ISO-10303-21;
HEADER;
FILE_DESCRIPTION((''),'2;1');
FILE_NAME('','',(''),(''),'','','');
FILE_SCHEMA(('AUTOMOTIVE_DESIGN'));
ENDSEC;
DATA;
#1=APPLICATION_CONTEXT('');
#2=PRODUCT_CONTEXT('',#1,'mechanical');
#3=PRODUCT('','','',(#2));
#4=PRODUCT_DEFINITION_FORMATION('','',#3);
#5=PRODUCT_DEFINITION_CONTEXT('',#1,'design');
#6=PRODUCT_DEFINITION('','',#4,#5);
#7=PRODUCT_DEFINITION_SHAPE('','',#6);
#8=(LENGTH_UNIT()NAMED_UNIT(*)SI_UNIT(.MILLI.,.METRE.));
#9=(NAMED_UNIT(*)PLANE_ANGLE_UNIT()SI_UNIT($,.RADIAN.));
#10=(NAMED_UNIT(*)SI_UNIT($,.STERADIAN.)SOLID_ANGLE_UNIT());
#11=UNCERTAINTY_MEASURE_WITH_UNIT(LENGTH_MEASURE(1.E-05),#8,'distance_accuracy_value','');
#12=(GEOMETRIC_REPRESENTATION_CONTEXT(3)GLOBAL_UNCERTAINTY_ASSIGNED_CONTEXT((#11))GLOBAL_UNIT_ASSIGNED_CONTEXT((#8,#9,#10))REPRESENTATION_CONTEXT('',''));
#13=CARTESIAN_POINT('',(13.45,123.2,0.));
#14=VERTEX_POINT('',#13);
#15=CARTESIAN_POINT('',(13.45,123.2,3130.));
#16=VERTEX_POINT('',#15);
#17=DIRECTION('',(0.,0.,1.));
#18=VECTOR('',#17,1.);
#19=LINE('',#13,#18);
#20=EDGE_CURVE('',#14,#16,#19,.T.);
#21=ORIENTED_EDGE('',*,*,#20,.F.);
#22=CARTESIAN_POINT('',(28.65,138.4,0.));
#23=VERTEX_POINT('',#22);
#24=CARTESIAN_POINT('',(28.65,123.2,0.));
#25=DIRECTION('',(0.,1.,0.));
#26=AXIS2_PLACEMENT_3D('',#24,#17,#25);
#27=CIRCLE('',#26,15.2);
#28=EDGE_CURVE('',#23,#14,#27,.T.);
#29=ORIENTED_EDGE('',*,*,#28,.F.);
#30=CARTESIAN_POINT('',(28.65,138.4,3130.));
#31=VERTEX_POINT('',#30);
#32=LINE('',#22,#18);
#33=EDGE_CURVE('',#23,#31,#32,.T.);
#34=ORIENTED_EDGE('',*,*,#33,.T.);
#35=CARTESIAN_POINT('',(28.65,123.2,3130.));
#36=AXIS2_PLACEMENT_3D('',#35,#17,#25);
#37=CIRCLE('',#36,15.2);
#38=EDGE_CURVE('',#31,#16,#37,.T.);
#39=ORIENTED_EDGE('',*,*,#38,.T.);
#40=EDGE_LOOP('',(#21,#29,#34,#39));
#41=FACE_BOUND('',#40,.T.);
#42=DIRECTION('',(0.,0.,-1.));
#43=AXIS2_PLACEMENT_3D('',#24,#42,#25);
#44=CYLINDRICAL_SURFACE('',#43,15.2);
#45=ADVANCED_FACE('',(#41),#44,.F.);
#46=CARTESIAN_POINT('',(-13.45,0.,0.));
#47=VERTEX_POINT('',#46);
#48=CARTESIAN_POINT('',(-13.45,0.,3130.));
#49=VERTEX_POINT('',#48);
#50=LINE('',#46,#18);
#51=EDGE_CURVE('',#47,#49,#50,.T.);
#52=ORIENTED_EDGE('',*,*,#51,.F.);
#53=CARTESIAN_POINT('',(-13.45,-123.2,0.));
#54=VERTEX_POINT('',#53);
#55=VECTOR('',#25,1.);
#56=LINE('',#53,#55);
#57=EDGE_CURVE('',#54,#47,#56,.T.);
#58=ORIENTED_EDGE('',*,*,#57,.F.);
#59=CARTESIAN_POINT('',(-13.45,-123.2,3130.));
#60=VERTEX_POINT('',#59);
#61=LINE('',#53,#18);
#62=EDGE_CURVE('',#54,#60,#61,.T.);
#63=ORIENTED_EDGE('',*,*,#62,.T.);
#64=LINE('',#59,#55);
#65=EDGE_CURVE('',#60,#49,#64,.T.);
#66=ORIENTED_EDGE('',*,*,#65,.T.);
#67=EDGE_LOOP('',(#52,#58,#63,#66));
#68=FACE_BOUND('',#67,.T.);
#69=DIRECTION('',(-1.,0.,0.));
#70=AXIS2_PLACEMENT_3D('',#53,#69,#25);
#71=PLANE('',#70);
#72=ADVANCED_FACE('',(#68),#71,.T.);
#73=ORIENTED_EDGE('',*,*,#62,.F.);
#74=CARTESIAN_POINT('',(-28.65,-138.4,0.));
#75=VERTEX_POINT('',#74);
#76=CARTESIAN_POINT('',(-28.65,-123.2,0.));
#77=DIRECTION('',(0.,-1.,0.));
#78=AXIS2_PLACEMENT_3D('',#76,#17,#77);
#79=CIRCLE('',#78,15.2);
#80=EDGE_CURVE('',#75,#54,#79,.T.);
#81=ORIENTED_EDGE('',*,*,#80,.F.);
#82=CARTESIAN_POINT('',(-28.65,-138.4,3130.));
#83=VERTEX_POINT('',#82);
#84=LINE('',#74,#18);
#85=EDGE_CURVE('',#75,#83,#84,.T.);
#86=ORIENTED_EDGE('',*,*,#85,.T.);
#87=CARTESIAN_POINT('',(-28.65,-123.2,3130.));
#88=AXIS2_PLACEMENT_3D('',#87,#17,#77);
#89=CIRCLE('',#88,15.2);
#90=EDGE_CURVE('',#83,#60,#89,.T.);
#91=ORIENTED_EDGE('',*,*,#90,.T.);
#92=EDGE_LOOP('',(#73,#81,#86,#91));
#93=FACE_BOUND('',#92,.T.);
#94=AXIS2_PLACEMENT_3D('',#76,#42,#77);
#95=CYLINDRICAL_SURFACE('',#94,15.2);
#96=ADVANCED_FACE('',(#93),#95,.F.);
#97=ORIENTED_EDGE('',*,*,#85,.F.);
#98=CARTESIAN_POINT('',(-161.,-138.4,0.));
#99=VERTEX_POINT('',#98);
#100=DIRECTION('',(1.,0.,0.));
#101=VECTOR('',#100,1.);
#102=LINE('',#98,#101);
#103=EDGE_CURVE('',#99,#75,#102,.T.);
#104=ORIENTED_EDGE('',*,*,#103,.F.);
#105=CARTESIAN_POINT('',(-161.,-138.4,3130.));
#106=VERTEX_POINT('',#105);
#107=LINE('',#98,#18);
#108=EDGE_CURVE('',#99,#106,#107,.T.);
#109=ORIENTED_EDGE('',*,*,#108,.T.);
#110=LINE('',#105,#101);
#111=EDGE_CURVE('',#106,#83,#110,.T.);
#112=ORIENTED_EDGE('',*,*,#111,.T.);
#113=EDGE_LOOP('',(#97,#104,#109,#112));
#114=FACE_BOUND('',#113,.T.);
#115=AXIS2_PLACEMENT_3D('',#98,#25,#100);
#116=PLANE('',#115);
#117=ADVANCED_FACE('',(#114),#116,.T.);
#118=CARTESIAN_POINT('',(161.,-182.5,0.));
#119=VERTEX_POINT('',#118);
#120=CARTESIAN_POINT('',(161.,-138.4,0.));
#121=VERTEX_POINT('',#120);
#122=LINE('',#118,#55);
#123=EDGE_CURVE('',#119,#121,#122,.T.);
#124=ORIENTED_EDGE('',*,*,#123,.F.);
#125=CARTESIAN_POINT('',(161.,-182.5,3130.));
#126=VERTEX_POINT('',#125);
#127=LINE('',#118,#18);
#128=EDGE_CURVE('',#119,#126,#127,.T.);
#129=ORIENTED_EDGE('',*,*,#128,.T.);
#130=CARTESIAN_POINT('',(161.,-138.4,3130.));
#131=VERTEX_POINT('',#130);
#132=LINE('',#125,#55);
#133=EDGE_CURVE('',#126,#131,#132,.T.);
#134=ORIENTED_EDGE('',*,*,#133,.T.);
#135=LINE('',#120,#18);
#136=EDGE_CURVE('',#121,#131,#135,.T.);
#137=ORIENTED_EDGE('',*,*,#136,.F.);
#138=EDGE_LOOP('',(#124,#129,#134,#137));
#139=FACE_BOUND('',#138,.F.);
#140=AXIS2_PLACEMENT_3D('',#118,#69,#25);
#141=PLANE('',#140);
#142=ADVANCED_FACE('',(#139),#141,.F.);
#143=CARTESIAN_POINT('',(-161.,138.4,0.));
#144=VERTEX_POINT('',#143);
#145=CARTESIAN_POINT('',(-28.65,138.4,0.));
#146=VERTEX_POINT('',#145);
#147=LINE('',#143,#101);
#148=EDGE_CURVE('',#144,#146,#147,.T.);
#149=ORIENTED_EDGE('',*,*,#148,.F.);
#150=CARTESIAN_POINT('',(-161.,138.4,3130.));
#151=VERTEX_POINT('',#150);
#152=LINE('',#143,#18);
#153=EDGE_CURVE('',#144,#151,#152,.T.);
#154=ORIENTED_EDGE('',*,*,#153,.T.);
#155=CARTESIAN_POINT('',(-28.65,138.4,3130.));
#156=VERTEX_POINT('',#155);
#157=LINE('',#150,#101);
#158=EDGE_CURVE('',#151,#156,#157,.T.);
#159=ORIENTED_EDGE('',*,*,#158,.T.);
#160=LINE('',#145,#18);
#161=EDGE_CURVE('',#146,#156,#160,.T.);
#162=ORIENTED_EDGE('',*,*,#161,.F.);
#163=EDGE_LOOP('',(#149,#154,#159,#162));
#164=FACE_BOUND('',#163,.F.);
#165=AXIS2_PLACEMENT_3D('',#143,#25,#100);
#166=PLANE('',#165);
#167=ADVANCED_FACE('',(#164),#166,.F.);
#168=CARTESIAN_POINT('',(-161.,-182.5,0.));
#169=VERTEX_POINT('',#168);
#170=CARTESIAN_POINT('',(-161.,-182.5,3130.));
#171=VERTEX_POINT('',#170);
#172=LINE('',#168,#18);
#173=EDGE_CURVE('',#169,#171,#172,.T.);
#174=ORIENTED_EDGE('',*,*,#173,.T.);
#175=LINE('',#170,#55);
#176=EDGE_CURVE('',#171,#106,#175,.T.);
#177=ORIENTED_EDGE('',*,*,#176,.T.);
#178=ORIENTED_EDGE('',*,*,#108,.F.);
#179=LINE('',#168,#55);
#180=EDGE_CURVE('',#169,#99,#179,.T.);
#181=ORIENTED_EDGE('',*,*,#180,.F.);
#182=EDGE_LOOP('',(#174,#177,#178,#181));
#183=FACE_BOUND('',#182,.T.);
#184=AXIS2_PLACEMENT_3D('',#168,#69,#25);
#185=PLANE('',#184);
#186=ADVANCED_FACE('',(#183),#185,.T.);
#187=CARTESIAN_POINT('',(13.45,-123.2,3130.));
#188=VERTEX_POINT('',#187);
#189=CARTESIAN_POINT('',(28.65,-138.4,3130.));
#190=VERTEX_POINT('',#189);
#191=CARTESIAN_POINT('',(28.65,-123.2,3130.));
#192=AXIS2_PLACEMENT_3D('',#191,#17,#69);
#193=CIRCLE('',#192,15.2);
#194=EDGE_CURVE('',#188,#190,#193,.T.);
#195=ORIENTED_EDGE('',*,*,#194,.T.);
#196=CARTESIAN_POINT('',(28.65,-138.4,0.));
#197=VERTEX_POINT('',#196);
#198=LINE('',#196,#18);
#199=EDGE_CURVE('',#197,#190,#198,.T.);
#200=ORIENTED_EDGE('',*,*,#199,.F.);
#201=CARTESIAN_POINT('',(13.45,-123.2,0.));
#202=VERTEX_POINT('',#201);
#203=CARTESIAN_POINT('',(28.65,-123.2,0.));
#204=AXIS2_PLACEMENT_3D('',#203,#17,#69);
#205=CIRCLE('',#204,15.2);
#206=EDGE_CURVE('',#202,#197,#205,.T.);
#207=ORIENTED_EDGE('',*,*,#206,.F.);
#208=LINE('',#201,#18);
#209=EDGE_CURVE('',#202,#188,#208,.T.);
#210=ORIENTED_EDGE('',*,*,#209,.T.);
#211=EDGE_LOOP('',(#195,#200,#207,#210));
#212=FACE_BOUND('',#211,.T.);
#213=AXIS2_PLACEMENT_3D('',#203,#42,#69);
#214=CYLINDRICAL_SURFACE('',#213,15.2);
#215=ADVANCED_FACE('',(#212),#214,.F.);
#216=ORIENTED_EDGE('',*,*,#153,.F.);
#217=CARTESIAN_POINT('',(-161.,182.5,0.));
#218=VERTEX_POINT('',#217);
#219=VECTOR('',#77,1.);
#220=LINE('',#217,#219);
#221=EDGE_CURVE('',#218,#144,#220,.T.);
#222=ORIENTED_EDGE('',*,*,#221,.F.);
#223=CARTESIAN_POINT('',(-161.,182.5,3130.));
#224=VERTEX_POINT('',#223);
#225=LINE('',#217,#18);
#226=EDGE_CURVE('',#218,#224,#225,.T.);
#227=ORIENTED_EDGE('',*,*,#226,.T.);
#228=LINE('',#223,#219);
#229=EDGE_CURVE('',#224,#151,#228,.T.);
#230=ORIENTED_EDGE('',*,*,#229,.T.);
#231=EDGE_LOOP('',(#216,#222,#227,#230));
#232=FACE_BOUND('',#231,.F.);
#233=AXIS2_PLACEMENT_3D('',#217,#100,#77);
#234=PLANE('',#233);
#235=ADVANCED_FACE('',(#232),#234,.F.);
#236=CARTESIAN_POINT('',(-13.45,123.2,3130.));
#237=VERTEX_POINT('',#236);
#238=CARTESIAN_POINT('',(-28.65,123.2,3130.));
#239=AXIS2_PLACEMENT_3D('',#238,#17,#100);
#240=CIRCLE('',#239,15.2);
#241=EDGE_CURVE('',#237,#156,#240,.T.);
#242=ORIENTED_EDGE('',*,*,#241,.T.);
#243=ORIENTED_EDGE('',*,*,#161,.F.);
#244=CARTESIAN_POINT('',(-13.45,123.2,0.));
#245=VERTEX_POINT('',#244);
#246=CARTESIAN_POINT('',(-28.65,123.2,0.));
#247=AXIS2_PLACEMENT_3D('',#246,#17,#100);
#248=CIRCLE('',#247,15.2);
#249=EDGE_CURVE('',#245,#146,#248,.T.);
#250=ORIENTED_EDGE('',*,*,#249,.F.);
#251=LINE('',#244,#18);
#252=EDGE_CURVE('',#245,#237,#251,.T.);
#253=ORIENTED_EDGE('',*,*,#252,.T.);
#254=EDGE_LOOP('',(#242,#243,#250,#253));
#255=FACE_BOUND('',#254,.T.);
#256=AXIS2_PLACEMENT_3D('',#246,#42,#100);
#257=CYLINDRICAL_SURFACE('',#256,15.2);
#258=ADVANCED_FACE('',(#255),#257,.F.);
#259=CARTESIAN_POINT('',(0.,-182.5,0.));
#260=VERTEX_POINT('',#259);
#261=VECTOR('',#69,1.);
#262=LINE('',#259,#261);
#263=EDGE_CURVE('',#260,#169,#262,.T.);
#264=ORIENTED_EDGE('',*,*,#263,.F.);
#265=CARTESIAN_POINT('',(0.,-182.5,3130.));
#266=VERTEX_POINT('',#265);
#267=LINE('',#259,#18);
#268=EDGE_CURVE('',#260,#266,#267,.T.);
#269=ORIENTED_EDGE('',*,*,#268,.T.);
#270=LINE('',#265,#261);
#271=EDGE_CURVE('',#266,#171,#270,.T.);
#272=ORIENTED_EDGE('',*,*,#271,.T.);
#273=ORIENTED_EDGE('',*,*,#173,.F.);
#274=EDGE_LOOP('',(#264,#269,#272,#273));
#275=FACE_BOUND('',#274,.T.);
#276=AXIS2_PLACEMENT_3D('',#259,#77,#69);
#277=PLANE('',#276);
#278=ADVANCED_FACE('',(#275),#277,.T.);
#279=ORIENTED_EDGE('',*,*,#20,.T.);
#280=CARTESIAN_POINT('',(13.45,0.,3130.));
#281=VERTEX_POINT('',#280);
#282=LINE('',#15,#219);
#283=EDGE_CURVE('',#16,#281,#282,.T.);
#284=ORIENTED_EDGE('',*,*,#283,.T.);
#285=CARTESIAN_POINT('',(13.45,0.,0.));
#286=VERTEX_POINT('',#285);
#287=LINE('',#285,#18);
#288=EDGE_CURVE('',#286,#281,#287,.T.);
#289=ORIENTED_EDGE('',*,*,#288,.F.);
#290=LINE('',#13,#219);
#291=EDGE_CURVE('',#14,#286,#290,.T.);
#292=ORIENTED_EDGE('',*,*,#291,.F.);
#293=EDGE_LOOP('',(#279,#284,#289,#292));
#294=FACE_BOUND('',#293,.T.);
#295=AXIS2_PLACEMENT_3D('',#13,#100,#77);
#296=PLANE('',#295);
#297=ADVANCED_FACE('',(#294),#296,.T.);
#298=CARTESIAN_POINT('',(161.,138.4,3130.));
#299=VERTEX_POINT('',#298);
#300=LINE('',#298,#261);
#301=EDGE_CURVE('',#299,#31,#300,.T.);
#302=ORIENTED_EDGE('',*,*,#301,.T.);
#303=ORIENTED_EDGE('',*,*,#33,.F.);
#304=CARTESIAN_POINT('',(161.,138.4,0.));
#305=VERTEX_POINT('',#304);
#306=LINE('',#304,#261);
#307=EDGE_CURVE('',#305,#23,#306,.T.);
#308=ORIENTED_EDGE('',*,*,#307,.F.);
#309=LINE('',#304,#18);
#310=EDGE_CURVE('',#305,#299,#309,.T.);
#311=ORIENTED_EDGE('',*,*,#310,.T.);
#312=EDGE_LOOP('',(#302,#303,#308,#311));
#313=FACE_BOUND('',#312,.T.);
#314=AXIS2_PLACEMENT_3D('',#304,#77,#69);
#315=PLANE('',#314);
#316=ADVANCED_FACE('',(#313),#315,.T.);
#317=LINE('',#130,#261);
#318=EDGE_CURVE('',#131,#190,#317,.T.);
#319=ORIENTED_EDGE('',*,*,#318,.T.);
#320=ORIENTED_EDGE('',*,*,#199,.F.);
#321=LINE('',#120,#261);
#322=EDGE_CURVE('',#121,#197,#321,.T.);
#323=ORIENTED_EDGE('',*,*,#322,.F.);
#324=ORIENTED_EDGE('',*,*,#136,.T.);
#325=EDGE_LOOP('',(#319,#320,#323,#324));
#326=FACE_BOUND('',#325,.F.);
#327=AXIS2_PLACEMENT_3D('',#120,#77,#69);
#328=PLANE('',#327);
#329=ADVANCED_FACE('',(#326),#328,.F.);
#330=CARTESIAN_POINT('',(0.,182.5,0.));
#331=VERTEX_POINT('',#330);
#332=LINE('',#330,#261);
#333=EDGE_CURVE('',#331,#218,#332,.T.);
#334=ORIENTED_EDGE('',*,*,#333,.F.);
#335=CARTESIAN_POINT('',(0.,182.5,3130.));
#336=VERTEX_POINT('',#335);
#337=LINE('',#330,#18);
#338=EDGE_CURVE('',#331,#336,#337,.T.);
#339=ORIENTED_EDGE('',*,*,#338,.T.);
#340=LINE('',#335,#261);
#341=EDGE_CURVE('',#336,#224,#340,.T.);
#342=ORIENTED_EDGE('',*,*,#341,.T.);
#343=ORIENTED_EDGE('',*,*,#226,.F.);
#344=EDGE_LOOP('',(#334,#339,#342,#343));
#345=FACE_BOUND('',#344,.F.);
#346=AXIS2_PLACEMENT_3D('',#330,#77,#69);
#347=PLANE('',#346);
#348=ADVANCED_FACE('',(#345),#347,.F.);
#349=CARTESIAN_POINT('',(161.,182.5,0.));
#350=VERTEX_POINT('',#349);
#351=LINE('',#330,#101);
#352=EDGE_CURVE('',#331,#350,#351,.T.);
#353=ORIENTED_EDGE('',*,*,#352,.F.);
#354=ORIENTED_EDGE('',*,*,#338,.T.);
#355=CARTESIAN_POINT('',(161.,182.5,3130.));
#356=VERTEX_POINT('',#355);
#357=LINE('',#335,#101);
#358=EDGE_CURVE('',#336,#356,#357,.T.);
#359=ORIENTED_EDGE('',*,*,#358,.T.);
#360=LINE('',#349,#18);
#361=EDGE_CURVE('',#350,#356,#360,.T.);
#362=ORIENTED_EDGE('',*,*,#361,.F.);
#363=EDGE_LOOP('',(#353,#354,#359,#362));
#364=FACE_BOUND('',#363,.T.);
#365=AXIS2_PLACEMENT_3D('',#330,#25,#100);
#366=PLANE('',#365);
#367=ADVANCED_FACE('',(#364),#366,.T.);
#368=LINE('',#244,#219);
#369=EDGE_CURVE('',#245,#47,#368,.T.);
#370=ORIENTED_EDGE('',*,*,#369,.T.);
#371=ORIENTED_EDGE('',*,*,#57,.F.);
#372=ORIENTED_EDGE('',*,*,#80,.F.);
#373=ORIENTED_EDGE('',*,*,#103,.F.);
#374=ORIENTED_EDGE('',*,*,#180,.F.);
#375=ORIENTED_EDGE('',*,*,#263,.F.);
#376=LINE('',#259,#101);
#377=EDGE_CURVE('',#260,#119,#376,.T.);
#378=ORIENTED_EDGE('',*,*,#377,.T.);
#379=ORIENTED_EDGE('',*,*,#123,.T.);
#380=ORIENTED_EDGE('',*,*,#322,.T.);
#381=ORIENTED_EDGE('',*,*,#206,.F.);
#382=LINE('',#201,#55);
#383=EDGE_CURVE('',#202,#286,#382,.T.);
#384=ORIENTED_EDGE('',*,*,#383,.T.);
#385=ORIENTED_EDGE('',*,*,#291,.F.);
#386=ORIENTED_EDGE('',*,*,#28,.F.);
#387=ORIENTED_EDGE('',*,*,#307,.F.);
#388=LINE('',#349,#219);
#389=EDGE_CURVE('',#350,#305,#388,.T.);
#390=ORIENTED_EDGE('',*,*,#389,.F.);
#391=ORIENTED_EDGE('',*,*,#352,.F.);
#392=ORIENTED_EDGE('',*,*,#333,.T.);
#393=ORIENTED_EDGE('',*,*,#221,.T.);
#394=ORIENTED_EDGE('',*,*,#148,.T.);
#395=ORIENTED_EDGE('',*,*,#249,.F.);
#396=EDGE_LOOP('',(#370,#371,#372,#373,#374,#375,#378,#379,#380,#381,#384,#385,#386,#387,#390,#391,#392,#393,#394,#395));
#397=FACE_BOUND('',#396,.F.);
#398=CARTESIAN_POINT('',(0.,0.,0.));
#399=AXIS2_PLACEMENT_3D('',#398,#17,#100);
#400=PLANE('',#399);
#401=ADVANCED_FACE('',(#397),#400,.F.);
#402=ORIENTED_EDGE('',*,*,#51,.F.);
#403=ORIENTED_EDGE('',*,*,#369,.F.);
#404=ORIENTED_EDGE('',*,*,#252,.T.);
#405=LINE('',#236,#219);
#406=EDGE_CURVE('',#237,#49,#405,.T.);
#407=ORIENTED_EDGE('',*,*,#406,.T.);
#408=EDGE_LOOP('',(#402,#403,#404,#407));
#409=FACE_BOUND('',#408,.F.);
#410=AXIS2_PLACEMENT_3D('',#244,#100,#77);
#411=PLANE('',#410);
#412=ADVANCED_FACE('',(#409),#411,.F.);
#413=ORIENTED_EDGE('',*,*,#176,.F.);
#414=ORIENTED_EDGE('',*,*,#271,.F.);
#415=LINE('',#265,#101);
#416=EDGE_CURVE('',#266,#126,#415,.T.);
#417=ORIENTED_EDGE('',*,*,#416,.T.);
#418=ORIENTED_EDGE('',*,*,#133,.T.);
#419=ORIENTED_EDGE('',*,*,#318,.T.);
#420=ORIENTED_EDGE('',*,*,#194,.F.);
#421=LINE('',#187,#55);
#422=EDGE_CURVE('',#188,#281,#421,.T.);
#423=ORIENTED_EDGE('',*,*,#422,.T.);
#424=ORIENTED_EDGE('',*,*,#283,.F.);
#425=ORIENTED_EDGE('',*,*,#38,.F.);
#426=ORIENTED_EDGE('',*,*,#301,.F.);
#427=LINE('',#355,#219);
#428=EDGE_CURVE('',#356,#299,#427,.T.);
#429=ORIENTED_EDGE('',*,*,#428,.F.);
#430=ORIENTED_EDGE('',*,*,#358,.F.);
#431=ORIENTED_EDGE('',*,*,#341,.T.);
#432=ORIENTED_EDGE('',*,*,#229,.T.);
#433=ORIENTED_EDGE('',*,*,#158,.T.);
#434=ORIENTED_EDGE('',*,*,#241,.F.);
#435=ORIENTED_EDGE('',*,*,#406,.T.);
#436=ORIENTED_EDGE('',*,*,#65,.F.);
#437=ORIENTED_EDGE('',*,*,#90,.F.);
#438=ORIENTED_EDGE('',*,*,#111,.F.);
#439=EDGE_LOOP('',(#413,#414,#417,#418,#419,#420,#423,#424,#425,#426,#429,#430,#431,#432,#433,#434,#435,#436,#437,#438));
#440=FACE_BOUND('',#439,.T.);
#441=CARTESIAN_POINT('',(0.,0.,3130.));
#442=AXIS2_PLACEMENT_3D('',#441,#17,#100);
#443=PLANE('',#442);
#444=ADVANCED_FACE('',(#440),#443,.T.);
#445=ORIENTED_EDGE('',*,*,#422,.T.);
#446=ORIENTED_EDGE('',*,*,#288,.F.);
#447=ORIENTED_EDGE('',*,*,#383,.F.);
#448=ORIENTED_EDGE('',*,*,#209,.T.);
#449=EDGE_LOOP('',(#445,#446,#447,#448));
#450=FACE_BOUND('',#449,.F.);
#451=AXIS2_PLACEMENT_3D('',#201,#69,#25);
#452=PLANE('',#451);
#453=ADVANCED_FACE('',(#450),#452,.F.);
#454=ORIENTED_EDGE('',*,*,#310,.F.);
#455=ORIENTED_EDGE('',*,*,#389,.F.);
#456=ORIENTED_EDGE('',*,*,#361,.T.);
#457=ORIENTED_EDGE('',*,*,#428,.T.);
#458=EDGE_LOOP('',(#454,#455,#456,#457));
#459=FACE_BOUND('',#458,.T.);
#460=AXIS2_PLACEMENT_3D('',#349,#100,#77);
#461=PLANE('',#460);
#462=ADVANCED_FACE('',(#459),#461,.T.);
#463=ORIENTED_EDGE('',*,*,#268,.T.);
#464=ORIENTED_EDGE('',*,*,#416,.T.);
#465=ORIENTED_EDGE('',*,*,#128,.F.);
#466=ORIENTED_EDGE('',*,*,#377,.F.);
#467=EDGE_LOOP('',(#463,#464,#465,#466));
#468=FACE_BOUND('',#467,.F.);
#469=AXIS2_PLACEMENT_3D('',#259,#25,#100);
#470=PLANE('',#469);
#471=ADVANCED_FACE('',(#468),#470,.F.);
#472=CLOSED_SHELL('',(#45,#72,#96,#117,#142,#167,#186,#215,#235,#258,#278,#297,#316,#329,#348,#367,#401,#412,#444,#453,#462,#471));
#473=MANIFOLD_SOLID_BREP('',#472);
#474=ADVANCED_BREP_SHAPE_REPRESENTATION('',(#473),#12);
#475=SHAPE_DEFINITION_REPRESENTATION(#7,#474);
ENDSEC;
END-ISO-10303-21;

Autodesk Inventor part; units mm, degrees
ref_plane "YZ Plane" through (0, 0, 0) normal (1, 0, 0) x (0, 1, 0)
ref_plane "Start plane" through (0, 0, 0) normal (0, 0, 1) x (1, 0, 0)
ref_plane "End plane" through (0, 0, 3130) normal (0, 0, 1) x (1, 0, 0)
sketch "Sketch" plane through (0, 0, 0) normal (0, 0, 1) x (1, 0, 0)
  line L0 (-161, -182.5) -> (-161, -138.4)
  line L1 (-161, -138.4) -> (-28.65, -138.4)
  line L2 (-13.45, -123.2) -> (-13.45, 0)
  line L3 (-13.45, 0) -> (0, 0) construction
  line L4 (0, 0) -> (0, -182.5) construction
  line L5 (0, -182.5) -> (-161, -182.5)
  line L6 (-60, 0) -> (80, 0) construction
  line L7 (0, -60) -> (0, 80) construction
  line L8 (161, -182.5) -> (161, -138.4)
  line L9 (161, -138.4) -> (28.65, -138.4)
  line L10 (13.45, -123.2) -> (13.45, 0)
  line L11 (13.45, 0) -> (0, 0) construction
  line L12 (0, -182.5) -> (161, -182.5)
  line L13 (-161, 182.5) -> (-161, 138.4)
  line L14 (-161, 138.4) -> (-28.65, 138.4)
  line L15 (-13.45, 123.2) -> (-13.45, 0)
  line L16 (0, 182.5) -> (-161, 182.5)
  line L17 (161, 182.5) -> (161, 138.4)
  line L18 (161, 138.4) -> (28.65, 138.4)
  line L19 (0, 182.5) -> (161, 182.5)
  line L20 (13.45, 123.2) -> (13.45, 0)
  arc A0 (-13.45, 123.2) -> (-28.65, 138.4) centre (-28.65, 123.2) ccw
  arc A1 (28.65, 138.4) -> (13.45, 123.2) centre (28.65, 123.2) ccw
  arc A2 (13.45, -123.2) -> (28.65, -138.4) centre (28.65, -123.2) ccw
  arc A3 (-28.65, -138.4) -> (-13.45, -123.2) centre (-28.65, -123.2) ccw
  line L21 (0, 108) -> (0, -88) construction
  line L22 (-88, 0) -> (108, 0) construction
  point P0 (-13.45, -138.4)
  point P1 (13.45, -138.4)
  point P2 (-13.45, 138.4)
  point P3 (13.45, 138.4)
  dimension "d1" = 182.5
  dimension "d2" = 44.1
  dimension "d3" = 161
  dimension "d4" = 13.45
  dimension "d10" = 15.2
extrude "Body" add sketch "Sketch" along normal up to surface (3130 mm away) from surface at 0
sketch "Sketch4" plane through (0, 0, 0) normal (0, 0, 1) x (1, 0, 0)
  line L0 (0, 0) -> (10, 0)
ref_plane "Work Plane3" through (0, 0, 0) normal (0, -1, 0) x (1, 0, 0)
sketch "Sketch5" plane through (0, 0, 0) normal (0, -1, 0) x (1, 0, 0)
  line L0 (-2, 0) -> (12, 0) projected
  line L1 (-2, 3130) -> (12, 3130) projected
  dimension "d14" = 3130
equation "\"d1\" = 0.5 * G_H"
equation "\"d2\" = G_T1"
equation "\"d3\" = 0.5 * G_W"
equation "\"d4\" = 0.5 * G_T"
equation "\"d10\" = G_IR"
equation "\"d5\" = G_L"
equation "\"G_W\" = 322"
equation "\"G_H\" = 365"
equation "\"G_T\" = 26.9"
equation "\"G_T1\" = 44.1"
equation "\"G_IR\" = 15.2"
equation "\"G_L\" = d14"
equation "\"G_OFFSET_START\" = 0"
equation "\"G_OFFSET_END\" = 0"
properties part number "AS 3679 - 310 UC - 283 - 3130" material "Steel, Mild"
